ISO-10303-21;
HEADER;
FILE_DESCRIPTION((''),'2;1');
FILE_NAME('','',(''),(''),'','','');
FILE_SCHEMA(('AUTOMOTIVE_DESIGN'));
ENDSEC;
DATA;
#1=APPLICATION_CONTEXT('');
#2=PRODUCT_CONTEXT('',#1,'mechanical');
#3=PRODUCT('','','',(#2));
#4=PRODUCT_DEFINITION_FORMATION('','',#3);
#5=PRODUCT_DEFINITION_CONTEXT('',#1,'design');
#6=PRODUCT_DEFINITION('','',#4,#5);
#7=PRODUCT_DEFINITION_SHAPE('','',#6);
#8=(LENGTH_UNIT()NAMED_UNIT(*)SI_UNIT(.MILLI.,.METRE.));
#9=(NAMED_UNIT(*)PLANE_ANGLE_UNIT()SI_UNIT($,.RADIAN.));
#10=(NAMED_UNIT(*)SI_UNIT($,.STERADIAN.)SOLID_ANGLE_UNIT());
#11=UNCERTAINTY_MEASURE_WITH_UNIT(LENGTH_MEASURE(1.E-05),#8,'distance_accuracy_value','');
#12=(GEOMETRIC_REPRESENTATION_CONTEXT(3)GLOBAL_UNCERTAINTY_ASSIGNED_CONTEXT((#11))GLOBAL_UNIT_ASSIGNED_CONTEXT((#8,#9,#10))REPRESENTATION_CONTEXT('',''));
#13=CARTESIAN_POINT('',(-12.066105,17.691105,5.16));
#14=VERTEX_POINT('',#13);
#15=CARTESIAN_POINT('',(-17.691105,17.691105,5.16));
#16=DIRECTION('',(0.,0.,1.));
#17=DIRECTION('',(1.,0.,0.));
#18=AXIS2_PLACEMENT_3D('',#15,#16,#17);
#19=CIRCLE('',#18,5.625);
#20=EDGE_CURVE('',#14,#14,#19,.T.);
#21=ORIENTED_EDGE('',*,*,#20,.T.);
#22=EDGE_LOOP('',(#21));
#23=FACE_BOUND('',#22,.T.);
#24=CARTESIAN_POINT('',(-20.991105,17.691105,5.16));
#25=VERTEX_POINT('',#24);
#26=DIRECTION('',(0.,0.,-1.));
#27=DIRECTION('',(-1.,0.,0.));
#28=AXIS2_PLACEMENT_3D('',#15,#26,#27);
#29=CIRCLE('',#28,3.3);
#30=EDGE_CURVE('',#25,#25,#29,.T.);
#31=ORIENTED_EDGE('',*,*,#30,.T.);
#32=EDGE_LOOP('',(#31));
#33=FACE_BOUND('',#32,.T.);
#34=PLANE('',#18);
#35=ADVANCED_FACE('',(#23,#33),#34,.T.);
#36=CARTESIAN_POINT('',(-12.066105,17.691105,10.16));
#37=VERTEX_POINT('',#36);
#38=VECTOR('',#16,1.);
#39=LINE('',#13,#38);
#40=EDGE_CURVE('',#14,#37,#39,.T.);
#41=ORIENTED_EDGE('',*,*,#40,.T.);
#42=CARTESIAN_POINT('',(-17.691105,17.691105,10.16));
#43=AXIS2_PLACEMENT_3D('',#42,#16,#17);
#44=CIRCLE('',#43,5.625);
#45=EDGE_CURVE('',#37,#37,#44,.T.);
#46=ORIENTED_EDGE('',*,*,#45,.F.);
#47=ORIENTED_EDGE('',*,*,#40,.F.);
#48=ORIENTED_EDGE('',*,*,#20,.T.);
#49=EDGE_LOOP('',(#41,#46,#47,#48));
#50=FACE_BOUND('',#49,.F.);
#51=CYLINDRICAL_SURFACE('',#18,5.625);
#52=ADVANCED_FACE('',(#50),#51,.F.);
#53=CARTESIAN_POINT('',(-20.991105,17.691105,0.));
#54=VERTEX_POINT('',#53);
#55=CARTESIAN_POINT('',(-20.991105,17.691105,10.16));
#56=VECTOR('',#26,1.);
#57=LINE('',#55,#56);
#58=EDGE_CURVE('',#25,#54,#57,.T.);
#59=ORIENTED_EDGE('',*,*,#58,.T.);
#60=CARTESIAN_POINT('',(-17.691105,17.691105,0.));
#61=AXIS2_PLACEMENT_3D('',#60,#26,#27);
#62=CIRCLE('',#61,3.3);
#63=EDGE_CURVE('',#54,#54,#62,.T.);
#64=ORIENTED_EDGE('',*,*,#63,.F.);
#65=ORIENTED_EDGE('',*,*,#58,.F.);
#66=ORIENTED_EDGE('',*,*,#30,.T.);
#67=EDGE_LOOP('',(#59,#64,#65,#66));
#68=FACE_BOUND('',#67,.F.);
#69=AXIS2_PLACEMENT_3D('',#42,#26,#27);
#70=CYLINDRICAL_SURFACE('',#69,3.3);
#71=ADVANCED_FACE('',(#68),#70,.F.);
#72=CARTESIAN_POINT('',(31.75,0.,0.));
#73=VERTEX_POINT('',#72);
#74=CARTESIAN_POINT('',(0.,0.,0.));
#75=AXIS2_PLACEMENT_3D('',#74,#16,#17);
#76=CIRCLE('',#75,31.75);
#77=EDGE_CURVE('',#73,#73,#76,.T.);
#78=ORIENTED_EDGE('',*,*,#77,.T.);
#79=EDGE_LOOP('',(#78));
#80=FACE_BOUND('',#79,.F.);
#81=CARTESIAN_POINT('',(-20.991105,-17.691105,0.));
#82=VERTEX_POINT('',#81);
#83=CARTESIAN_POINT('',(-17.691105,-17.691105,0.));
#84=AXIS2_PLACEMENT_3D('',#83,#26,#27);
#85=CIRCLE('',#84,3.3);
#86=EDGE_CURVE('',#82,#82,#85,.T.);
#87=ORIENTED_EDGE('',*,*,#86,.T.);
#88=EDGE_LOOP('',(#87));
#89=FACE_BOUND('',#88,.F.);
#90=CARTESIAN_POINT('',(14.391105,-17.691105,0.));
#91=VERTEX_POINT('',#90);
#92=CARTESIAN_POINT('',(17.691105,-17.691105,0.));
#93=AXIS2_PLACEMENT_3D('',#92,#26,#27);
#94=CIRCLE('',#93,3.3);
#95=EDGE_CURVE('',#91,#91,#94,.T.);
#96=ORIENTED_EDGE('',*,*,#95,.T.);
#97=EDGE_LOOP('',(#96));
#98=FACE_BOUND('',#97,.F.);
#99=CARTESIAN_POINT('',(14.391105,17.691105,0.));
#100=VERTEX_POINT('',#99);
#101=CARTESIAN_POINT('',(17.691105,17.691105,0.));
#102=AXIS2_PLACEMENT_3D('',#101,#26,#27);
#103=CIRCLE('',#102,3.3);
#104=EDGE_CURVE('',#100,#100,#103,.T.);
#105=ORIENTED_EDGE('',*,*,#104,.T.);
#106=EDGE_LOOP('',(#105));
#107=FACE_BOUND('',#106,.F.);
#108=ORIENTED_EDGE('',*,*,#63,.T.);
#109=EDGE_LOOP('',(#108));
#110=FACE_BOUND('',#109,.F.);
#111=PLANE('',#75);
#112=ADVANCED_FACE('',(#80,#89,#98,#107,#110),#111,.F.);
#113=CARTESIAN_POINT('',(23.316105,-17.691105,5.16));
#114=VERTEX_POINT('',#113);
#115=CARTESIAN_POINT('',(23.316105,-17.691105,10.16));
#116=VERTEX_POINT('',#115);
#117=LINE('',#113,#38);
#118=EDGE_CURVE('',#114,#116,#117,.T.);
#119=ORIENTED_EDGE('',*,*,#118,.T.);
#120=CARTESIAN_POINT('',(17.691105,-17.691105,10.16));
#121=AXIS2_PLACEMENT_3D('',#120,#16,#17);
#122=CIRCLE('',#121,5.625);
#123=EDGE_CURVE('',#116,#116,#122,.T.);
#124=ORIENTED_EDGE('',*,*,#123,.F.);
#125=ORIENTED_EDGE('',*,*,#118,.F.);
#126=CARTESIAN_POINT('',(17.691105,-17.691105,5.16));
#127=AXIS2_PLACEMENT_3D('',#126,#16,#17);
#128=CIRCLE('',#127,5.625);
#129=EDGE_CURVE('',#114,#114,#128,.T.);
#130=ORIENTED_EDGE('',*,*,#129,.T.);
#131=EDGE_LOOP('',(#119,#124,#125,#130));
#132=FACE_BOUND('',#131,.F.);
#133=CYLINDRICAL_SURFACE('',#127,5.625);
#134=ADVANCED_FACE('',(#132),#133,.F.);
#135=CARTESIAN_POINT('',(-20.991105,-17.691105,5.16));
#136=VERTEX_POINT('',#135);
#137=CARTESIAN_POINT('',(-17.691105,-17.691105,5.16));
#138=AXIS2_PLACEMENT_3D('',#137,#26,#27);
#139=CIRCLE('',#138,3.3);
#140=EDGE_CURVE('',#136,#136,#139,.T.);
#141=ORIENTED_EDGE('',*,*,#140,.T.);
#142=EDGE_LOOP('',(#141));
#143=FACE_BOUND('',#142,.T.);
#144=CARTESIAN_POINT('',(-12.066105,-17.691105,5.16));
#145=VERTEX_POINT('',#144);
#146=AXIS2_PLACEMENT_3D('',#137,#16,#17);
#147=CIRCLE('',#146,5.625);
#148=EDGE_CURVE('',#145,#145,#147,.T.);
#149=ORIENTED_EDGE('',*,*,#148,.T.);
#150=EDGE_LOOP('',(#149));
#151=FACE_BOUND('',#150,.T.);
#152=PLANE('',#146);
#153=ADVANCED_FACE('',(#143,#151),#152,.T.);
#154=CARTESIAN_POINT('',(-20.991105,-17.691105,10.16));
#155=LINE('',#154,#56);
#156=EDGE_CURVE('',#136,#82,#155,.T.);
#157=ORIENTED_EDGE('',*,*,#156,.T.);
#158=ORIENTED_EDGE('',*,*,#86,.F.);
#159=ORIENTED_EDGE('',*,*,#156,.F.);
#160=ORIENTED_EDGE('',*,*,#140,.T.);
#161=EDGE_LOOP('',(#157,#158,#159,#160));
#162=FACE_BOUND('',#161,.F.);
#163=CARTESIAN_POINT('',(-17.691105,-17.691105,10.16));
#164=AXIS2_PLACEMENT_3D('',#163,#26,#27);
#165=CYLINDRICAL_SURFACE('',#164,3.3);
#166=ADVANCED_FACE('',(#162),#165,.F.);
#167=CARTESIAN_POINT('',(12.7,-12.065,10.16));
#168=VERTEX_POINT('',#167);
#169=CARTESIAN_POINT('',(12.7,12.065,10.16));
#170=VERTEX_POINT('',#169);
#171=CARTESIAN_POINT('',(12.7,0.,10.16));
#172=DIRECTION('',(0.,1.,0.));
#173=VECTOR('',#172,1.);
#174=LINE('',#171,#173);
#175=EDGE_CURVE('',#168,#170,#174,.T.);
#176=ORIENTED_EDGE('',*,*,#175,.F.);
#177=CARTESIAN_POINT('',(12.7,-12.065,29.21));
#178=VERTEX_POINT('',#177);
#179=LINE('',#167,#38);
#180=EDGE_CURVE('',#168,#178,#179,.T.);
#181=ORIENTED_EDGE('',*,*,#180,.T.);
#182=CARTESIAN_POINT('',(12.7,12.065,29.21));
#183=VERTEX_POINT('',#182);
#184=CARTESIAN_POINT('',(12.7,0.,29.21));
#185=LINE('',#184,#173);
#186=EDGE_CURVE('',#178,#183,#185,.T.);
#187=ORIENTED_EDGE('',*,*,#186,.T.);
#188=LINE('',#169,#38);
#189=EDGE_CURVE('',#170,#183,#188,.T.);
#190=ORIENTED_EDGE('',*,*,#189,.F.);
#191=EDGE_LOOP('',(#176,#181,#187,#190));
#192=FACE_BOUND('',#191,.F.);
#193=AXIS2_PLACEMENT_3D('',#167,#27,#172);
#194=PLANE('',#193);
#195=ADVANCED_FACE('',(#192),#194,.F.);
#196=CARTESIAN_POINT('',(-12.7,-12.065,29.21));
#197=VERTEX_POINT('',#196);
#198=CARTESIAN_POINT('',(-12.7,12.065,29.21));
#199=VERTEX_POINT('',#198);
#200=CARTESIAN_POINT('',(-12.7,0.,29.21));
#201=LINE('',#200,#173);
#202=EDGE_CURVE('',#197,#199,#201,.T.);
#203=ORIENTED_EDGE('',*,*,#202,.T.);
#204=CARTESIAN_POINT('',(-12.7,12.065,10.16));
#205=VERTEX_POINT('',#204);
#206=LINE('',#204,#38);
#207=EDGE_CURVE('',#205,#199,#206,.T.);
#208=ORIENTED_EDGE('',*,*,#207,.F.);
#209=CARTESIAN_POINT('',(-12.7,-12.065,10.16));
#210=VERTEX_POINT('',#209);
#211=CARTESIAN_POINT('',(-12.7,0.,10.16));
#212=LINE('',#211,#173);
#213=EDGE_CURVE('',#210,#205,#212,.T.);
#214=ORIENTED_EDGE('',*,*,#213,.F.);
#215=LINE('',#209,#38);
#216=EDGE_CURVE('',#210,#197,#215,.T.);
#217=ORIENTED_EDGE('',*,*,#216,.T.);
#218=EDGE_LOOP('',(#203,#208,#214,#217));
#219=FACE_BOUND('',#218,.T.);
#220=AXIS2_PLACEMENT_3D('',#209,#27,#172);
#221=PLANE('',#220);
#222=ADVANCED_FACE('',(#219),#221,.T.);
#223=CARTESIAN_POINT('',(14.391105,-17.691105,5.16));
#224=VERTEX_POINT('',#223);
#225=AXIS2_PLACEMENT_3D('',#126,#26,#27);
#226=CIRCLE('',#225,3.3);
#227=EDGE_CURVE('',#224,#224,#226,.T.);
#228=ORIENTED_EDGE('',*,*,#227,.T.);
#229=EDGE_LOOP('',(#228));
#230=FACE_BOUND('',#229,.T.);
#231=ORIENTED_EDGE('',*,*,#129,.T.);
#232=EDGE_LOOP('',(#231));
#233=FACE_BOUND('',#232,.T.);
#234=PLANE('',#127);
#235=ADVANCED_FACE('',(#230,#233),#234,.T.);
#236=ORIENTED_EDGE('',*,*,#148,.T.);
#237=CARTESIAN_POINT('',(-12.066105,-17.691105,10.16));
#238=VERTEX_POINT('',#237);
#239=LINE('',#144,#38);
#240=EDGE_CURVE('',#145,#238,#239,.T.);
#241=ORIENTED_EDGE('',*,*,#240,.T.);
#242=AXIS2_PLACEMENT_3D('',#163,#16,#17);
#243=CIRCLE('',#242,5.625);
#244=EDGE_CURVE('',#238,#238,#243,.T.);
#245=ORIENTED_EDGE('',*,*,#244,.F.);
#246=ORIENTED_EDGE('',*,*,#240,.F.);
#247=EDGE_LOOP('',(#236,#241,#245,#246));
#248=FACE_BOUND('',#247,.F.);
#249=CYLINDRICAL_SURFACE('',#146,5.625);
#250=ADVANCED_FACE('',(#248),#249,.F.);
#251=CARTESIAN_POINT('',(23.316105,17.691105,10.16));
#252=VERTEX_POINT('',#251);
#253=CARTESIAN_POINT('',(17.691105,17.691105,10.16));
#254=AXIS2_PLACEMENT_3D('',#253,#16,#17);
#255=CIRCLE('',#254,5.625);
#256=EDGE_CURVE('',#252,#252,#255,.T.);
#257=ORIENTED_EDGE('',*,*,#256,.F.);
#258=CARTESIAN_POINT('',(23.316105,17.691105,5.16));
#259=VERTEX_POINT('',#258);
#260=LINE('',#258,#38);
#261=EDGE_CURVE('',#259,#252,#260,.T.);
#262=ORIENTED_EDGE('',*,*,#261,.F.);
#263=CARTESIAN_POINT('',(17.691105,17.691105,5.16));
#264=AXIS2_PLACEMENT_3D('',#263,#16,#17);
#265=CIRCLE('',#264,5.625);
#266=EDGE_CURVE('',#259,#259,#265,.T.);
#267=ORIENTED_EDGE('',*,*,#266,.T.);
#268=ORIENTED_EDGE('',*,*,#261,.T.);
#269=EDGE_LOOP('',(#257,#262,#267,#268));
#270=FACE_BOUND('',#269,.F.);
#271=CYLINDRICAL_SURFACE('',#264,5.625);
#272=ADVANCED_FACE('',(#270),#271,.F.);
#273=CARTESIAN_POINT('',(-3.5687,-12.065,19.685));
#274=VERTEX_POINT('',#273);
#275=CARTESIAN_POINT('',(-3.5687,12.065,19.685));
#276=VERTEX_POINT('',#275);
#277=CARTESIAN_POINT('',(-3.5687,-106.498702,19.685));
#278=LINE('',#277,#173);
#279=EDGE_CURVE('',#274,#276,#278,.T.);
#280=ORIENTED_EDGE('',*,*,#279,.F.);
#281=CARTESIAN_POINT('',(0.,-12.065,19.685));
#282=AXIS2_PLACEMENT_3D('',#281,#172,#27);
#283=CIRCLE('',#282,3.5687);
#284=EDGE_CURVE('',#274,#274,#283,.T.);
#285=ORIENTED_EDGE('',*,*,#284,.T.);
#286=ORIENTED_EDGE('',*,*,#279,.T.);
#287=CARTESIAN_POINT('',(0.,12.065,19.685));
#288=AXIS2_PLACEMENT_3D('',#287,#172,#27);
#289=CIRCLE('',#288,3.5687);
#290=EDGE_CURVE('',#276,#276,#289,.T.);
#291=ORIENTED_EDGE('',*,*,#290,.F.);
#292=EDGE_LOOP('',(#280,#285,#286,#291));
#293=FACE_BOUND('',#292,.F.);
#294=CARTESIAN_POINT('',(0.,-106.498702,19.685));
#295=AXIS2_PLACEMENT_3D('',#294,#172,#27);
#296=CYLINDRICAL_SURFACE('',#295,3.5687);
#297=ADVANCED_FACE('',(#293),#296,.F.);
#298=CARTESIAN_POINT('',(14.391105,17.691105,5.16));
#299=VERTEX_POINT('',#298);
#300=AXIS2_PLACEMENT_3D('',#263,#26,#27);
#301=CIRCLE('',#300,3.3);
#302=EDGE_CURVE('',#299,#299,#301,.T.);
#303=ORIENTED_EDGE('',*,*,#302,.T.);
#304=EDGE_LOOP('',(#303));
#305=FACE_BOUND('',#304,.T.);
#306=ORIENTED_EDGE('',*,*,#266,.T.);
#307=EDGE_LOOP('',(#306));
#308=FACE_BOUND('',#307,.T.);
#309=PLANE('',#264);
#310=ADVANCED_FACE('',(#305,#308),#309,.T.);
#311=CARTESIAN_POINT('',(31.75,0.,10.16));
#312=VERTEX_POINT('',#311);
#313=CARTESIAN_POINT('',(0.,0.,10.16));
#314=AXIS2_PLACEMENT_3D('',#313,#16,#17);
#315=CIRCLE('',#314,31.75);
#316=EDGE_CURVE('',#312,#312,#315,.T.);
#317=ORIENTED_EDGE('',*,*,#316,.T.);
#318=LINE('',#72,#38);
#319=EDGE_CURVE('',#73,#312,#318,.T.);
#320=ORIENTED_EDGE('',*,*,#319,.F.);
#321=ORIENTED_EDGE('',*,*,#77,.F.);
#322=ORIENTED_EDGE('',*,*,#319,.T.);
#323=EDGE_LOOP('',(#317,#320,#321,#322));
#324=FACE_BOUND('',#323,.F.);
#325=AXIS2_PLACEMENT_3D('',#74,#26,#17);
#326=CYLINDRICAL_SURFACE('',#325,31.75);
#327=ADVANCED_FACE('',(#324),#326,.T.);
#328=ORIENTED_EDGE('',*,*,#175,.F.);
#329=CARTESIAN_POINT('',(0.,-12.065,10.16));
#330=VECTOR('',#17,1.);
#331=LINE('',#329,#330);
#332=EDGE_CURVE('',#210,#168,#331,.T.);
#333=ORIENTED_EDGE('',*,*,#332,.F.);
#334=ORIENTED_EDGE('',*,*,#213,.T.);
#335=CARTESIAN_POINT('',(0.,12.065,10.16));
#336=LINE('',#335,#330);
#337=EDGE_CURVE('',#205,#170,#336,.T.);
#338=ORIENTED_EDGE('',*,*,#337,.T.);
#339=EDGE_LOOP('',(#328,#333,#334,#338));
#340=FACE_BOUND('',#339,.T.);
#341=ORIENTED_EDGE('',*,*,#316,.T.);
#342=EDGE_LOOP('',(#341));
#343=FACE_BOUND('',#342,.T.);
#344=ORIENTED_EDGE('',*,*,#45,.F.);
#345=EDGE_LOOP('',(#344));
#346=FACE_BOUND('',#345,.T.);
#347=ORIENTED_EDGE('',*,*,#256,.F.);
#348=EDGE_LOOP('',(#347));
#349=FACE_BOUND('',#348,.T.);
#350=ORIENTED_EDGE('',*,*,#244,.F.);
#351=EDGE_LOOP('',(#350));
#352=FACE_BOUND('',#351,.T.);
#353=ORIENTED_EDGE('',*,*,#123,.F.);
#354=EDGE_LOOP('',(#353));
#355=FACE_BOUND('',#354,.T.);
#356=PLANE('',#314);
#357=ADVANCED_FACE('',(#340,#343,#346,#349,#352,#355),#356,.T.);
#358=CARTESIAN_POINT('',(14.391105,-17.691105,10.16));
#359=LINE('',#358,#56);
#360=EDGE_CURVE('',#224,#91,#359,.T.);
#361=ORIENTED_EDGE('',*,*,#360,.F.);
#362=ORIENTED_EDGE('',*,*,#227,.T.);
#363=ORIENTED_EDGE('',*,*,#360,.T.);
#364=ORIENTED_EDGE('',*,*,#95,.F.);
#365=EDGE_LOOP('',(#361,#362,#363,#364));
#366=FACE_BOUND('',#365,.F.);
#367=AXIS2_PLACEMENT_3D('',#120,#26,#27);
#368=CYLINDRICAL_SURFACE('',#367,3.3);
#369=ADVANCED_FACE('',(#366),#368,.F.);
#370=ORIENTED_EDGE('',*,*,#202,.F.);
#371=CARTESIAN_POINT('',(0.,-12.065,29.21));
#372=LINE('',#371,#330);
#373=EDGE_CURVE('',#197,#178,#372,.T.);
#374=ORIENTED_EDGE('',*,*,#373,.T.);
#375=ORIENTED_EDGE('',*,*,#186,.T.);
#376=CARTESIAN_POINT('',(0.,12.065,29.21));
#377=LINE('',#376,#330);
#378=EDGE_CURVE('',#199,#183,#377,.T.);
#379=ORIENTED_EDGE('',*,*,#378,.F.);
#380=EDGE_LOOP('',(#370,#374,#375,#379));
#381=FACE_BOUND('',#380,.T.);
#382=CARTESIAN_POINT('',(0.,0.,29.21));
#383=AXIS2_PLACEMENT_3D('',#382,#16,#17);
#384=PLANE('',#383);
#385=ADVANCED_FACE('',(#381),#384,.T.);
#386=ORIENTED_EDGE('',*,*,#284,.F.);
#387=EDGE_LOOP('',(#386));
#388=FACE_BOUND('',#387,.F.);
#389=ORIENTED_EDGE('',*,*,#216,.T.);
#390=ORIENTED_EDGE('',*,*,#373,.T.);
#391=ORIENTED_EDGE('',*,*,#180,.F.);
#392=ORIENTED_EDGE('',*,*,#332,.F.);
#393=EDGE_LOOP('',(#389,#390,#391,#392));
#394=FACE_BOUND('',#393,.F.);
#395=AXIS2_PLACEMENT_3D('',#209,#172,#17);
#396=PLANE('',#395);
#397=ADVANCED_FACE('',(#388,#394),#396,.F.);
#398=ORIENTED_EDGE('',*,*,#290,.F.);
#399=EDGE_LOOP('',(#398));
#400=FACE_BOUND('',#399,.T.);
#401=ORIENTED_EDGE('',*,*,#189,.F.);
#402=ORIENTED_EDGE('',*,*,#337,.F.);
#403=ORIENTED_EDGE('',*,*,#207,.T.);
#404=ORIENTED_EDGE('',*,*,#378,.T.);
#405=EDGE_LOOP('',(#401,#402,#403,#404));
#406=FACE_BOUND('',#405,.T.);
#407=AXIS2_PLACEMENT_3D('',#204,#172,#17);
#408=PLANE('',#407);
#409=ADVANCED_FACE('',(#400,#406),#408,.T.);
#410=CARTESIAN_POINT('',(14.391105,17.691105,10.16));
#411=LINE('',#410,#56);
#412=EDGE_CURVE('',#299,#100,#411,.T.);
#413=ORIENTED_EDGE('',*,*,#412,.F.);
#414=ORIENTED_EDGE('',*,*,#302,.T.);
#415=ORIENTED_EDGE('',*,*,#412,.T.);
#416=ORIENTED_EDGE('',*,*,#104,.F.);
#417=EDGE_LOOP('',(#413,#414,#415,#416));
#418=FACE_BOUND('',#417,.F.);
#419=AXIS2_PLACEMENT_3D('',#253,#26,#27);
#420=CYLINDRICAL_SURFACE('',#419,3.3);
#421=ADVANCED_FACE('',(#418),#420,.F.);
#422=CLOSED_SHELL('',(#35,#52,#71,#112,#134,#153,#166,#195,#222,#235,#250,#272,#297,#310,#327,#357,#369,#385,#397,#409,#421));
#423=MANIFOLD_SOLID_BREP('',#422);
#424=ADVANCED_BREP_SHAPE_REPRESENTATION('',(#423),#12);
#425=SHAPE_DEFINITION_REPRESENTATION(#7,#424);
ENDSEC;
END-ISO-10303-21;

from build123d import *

# Parameters (mm, degrees)
F0_R           = 31.75
F1_DEPTH       = 10.16
F2_W           = 25.4
F2_H           = 24.13
F3_DEPTH       = 19.05
F5_D           = 6.6
F5_CBORE_D     = 11.25
F5_CBORE_DEPTH = 5
F7_D           = 7.1374


with BuildPart() as f1:
    # F0 (on Top) → F1 (new body)
    with BuildSketch(Plane.XY):
        Circle(F0_R)
    extrude(amount=F1_DEPTH)

    # F2 (on face) → F3 (join)
    with BuildSketch(Plane.XY.offset(10.16)):
        Rectangle(F2_W, F2_H)
    extrude(amount=F3_DEPTH)

    # F5 (through all)
    with Locations(Plane.XY.offset(10.16)):
        with Locations((-17.6911045585, 17.6911045585), (17.6911045585, 17.6911045585), (-17.6911045585, -17.6911045585), (17.6911045585, -17.6911045585)):
            CounterBoreHole(F5_D / 2, F5_CBORE_D / 2, F5_CBORE_DEPTH)

    # F7 (through all)
    with Locations(Plane.XZ.offset(12.065)):
        with Locations((0, 19.685)):
            Hole(F7_D / 2)


solid = f1.part
